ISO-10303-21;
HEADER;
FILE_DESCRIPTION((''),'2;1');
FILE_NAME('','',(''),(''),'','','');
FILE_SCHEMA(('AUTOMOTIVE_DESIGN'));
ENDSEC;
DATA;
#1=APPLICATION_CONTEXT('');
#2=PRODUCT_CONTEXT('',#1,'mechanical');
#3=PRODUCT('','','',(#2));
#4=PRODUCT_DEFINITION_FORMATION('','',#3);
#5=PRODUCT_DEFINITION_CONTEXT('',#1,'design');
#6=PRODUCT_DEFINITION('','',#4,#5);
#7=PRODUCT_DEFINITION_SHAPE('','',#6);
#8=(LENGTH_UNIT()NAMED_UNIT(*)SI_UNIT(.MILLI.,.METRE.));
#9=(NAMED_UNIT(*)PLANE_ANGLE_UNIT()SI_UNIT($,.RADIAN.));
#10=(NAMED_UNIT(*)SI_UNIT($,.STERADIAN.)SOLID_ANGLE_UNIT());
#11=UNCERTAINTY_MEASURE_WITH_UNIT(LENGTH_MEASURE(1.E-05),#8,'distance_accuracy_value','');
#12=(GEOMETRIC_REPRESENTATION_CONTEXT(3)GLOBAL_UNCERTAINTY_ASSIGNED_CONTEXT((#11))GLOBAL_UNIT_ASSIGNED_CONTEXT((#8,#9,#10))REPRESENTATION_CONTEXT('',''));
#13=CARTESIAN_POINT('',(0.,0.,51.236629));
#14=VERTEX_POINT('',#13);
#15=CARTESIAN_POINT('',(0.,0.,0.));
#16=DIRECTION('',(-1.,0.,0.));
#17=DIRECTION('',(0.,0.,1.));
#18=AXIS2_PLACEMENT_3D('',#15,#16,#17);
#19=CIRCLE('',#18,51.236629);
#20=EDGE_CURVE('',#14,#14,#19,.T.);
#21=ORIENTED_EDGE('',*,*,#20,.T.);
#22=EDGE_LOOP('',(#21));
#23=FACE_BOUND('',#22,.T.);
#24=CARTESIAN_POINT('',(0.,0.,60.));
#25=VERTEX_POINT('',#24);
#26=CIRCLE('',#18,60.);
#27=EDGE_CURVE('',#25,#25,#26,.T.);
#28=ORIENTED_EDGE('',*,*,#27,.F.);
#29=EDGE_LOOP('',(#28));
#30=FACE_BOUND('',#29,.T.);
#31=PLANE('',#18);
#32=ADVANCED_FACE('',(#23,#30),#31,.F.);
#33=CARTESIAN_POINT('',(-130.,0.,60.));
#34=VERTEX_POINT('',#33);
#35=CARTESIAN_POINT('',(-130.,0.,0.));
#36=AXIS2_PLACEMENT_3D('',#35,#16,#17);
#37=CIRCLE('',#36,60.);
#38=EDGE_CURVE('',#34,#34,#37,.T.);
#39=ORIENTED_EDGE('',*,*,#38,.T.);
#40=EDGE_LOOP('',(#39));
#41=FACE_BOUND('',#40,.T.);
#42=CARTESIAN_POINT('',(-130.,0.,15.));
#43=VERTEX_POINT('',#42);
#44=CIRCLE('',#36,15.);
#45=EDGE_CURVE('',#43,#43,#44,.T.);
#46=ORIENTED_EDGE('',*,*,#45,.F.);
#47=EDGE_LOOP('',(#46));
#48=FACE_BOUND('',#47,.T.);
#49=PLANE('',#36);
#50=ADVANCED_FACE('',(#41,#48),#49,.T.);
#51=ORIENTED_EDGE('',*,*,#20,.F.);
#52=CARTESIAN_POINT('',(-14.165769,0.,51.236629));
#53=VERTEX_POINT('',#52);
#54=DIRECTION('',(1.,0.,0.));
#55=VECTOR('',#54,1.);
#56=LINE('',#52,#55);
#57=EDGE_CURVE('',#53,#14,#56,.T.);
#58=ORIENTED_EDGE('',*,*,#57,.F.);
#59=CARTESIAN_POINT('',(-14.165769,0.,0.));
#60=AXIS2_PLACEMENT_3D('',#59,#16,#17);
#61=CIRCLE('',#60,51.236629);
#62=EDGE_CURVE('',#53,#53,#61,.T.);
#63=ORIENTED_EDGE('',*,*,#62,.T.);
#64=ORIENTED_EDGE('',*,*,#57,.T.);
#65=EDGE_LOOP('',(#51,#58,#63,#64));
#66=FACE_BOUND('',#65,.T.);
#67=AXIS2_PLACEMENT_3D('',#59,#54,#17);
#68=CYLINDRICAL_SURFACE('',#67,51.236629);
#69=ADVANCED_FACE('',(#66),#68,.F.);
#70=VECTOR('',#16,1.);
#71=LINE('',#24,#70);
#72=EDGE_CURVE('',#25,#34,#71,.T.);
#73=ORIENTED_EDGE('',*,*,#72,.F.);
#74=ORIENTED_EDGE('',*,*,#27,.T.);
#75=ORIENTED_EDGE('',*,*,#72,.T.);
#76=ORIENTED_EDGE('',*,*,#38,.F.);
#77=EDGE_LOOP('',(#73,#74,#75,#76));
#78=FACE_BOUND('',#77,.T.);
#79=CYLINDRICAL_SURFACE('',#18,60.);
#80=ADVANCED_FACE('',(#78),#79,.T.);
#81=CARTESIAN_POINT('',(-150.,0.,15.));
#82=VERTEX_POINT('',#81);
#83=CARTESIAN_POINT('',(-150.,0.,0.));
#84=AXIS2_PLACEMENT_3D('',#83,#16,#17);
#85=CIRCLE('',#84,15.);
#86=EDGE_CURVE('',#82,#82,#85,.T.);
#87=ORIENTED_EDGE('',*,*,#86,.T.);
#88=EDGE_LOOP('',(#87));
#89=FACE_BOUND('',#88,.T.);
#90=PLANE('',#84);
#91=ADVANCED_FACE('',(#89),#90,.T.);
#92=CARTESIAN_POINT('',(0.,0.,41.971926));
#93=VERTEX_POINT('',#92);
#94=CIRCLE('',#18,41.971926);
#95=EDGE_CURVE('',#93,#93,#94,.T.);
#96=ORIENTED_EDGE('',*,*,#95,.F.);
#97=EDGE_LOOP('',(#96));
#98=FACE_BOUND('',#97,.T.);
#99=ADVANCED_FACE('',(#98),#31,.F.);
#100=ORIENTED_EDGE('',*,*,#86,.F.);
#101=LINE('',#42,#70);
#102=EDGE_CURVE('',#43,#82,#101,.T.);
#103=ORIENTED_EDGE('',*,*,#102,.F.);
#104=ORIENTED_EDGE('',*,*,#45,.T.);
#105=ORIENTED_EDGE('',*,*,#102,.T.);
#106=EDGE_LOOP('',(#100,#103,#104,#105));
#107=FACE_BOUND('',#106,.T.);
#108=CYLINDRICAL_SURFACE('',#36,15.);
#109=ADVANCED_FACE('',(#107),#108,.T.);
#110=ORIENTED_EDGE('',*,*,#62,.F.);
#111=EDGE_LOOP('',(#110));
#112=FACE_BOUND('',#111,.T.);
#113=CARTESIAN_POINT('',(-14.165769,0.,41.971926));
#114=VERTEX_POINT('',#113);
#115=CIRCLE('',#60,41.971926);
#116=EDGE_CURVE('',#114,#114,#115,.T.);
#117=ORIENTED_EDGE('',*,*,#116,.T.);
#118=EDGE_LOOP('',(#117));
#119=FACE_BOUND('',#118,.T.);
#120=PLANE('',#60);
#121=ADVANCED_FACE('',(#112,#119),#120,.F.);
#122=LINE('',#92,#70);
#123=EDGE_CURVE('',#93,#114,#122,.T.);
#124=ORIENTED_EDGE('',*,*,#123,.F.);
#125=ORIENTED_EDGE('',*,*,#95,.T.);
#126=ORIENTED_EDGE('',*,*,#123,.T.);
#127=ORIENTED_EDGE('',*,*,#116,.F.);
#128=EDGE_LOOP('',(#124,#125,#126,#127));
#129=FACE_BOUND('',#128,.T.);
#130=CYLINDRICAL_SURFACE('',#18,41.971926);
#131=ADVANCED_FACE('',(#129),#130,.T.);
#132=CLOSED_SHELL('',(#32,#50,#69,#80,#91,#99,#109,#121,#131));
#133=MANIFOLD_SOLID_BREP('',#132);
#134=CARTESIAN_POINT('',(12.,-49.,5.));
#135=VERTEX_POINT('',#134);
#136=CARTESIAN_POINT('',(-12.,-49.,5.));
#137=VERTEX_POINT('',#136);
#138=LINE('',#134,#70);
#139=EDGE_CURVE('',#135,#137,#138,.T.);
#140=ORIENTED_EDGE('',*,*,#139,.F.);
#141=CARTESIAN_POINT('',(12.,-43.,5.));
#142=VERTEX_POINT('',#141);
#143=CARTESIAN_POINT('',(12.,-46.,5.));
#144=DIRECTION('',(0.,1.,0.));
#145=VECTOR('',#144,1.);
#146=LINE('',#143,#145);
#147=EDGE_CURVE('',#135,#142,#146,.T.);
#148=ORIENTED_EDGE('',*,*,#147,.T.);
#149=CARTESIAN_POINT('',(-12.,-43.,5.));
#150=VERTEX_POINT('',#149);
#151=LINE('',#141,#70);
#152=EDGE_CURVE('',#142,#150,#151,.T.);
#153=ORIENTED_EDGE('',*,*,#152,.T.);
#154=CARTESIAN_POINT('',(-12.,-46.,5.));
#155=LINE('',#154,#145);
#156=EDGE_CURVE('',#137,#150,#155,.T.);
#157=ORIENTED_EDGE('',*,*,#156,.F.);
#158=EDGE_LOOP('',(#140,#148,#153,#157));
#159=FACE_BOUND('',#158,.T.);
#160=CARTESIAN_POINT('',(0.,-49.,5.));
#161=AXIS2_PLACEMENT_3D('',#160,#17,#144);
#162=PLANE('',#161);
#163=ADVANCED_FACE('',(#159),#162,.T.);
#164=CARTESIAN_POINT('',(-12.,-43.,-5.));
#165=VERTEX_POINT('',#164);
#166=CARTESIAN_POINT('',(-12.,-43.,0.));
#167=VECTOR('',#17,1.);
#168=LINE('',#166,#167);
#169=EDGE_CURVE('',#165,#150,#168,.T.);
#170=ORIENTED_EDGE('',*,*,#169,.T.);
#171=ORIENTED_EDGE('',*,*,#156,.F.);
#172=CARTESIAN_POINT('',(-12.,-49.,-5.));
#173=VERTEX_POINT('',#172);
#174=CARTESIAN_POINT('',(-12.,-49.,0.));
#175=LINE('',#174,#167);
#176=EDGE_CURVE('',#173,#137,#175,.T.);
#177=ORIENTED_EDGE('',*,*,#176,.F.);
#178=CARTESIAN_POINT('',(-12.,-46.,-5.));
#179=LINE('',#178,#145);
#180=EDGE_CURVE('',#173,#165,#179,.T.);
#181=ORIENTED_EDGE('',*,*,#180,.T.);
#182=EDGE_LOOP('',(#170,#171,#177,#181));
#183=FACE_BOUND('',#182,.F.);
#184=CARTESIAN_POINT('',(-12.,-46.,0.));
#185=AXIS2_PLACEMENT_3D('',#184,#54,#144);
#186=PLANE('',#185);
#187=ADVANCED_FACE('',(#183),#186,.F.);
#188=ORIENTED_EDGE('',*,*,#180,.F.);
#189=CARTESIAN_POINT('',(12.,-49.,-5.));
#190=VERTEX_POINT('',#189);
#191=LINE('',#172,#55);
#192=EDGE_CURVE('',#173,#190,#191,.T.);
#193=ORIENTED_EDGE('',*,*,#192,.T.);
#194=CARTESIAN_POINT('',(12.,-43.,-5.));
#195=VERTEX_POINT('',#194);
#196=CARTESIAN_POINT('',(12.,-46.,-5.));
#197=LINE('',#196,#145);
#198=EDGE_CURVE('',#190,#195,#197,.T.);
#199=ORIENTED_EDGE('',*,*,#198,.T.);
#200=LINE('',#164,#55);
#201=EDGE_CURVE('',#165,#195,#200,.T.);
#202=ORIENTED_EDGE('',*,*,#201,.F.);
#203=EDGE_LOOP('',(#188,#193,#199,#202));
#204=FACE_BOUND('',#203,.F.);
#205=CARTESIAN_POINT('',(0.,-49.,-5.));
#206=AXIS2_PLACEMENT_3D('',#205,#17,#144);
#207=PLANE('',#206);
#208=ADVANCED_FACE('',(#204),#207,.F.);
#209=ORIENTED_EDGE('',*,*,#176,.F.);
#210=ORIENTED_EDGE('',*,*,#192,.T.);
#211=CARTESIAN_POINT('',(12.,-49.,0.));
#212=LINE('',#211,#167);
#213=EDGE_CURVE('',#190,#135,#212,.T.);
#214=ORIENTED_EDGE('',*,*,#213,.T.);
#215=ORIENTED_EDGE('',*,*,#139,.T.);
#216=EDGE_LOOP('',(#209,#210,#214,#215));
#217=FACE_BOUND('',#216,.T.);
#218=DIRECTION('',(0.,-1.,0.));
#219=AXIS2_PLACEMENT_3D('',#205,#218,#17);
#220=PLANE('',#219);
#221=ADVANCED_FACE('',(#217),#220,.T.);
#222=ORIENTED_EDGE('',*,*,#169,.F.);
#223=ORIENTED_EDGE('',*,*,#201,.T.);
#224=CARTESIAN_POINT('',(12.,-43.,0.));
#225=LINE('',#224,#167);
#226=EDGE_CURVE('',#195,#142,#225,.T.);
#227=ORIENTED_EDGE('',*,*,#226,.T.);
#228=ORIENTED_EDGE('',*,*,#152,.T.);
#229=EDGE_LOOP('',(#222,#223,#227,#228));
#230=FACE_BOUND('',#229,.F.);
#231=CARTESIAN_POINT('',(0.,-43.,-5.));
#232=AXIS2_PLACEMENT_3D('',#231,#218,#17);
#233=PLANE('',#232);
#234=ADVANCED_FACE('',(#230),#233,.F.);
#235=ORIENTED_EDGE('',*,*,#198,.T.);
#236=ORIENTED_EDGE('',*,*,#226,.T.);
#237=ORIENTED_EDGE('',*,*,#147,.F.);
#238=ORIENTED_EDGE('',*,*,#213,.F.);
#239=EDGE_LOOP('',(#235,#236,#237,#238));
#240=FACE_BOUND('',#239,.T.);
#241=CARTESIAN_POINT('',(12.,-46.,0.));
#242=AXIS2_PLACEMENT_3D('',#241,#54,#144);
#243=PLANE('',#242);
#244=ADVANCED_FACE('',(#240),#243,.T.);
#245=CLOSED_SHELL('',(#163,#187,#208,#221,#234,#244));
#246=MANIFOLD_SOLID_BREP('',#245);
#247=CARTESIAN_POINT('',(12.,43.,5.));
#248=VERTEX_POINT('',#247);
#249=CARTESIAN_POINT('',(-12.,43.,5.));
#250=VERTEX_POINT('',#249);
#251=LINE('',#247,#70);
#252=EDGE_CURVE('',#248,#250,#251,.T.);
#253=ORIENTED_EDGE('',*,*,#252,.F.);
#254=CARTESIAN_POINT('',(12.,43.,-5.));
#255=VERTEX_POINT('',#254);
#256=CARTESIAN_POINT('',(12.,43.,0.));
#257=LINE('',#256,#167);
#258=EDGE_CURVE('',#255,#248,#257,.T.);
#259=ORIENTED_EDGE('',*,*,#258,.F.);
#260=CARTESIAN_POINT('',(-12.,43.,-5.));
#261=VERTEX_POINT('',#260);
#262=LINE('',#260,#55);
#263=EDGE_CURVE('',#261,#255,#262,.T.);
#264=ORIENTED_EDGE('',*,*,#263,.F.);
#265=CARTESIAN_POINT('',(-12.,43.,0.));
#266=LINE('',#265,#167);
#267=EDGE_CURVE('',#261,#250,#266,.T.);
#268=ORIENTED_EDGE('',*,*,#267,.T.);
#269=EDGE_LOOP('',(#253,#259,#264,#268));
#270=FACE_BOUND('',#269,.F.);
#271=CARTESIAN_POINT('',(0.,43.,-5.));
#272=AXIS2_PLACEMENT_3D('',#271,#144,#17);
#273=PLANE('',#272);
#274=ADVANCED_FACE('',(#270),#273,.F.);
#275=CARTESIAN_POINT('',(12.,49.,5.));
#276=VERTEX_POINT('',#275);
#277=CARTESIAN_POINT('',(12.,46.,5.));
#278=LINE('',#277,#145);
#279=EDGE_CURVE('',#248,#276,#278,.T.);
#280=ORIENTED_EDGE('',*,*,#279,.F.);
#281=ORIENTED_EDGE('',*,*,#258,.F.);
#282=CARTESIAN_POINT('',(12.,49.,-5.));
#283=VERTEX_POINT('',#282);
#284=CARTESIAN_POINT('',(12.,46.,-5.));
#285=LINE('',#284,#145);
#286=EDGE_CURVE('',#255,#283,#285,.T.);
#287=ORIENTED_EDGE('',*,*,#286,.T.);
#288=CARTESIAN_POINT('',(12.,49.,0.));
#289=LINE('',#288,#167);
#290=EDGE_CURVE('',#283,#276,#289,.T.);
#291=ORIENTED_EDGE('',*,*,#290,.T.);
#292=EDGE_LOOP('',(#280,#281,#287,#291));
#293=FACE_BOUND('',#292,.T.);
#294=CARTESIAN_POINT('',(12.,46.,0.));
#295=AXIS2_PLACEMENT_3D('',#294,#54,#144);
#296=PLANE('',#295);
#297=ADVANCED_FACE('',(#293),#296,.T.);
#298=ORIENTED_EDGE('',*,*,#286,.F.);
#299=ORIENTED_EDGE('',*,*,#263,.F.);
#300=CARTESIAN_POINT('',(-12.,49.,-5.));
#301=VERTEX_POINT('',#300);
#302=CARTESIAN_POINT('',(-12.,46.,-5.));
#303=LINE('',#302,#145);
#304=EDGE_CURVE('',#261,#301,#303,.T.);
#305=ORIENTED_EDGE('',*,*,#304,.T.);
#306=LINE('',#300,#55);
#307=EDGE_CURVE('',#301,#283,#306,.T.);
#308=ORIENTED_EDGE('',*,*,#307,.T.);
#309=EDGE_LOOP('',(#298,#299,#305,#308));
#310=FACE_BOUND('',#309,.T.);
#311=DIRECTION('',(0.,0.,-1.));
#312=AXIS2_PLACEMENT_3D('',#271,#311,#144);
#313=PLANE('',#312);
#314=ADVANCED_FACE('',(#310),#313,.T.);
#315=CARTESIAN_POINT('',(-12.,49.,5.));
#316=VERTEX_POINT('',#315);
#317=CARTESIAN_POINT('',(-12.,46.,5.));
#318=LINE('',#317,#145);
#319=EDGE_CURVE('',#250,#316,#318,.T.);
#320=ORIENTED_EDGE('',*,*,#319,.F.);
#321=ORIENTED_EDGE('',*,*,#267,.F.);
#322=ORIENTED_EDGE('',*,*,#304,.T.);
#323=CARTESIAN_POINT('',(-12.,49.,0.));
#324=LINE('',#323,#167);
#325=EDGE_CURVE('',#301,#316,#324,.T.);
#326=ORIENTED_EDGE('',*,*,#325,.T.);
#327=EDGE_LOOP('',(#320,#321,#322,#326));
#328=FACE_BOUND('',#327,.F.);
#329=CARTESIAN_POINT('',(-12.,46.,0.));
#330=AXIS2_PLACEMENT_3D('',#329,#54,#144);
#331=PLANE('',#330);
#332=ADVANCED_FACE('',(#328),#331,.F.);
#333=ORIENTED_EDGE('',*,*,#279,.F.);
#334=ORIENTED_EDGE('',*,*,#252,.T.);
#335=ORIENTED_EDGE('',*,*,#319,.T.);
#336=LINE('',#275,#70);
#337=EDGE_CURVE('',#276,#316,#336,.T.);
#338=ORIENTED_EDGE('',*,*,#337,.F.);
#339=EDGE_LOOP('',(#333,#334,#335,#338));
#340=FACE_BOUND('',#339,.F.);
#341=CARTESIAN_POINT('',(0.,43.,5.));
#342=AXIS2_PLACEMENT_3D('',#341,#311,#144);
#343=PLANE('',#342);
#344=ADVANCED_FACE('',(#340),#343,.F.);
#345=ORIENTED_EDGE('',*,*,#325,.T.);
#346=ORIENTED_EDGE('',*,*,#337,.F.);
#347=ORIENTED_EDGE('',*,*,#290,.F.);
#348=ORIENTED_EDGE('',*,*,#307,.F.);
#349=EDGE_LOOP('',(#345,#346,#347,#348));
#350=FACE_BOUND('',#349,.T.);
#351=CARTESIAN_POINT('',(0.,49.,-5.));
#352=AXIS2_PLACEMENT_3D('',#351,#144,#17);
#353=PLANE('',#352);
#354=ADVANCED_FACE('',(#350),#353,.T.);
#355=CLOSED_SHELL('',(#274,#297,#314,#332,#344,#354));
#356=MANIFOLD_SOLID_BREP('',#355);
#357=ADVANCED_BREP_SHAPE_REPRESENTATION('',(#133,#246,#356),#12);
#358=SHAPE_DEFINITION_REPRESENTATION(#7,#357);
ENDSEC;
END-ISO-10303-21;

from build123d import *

# Parameters (mm, degrees)
F2_W     = 6
F2_H     = 10
F3_DEPTH = 12


with BuildPart() as f1:
    # F0 (on Front) → F1 (revolve)
    with BuildSketch(Plane.XZ):
        Polygon((-150, 0), (0, 0), (0, 41.971926), (-14.165769, 41.971926), (-14.165769, 51.236629), (0, 51.236629), (0, 60), (-130, 60), (-130, 15), (-150, 15), align=None)
    revolve(axis=Axis((-75, 0, 0), (-1, 0, 0)))


with BuildPart() as f3:
    # F2 (on Right) → F3 (new body, symmetric)
    with BuildSketch(Plane.YZ):
        with Locations((-46, 0)):
            Rectangle(F2_W, F2_H)
        with Locations((46, 0)):
            Rectangle(F2_W, F2_H)
    extrude(amount=F3_DEPTH, both=True)


solid = Compound([f1.part, f3.part])
